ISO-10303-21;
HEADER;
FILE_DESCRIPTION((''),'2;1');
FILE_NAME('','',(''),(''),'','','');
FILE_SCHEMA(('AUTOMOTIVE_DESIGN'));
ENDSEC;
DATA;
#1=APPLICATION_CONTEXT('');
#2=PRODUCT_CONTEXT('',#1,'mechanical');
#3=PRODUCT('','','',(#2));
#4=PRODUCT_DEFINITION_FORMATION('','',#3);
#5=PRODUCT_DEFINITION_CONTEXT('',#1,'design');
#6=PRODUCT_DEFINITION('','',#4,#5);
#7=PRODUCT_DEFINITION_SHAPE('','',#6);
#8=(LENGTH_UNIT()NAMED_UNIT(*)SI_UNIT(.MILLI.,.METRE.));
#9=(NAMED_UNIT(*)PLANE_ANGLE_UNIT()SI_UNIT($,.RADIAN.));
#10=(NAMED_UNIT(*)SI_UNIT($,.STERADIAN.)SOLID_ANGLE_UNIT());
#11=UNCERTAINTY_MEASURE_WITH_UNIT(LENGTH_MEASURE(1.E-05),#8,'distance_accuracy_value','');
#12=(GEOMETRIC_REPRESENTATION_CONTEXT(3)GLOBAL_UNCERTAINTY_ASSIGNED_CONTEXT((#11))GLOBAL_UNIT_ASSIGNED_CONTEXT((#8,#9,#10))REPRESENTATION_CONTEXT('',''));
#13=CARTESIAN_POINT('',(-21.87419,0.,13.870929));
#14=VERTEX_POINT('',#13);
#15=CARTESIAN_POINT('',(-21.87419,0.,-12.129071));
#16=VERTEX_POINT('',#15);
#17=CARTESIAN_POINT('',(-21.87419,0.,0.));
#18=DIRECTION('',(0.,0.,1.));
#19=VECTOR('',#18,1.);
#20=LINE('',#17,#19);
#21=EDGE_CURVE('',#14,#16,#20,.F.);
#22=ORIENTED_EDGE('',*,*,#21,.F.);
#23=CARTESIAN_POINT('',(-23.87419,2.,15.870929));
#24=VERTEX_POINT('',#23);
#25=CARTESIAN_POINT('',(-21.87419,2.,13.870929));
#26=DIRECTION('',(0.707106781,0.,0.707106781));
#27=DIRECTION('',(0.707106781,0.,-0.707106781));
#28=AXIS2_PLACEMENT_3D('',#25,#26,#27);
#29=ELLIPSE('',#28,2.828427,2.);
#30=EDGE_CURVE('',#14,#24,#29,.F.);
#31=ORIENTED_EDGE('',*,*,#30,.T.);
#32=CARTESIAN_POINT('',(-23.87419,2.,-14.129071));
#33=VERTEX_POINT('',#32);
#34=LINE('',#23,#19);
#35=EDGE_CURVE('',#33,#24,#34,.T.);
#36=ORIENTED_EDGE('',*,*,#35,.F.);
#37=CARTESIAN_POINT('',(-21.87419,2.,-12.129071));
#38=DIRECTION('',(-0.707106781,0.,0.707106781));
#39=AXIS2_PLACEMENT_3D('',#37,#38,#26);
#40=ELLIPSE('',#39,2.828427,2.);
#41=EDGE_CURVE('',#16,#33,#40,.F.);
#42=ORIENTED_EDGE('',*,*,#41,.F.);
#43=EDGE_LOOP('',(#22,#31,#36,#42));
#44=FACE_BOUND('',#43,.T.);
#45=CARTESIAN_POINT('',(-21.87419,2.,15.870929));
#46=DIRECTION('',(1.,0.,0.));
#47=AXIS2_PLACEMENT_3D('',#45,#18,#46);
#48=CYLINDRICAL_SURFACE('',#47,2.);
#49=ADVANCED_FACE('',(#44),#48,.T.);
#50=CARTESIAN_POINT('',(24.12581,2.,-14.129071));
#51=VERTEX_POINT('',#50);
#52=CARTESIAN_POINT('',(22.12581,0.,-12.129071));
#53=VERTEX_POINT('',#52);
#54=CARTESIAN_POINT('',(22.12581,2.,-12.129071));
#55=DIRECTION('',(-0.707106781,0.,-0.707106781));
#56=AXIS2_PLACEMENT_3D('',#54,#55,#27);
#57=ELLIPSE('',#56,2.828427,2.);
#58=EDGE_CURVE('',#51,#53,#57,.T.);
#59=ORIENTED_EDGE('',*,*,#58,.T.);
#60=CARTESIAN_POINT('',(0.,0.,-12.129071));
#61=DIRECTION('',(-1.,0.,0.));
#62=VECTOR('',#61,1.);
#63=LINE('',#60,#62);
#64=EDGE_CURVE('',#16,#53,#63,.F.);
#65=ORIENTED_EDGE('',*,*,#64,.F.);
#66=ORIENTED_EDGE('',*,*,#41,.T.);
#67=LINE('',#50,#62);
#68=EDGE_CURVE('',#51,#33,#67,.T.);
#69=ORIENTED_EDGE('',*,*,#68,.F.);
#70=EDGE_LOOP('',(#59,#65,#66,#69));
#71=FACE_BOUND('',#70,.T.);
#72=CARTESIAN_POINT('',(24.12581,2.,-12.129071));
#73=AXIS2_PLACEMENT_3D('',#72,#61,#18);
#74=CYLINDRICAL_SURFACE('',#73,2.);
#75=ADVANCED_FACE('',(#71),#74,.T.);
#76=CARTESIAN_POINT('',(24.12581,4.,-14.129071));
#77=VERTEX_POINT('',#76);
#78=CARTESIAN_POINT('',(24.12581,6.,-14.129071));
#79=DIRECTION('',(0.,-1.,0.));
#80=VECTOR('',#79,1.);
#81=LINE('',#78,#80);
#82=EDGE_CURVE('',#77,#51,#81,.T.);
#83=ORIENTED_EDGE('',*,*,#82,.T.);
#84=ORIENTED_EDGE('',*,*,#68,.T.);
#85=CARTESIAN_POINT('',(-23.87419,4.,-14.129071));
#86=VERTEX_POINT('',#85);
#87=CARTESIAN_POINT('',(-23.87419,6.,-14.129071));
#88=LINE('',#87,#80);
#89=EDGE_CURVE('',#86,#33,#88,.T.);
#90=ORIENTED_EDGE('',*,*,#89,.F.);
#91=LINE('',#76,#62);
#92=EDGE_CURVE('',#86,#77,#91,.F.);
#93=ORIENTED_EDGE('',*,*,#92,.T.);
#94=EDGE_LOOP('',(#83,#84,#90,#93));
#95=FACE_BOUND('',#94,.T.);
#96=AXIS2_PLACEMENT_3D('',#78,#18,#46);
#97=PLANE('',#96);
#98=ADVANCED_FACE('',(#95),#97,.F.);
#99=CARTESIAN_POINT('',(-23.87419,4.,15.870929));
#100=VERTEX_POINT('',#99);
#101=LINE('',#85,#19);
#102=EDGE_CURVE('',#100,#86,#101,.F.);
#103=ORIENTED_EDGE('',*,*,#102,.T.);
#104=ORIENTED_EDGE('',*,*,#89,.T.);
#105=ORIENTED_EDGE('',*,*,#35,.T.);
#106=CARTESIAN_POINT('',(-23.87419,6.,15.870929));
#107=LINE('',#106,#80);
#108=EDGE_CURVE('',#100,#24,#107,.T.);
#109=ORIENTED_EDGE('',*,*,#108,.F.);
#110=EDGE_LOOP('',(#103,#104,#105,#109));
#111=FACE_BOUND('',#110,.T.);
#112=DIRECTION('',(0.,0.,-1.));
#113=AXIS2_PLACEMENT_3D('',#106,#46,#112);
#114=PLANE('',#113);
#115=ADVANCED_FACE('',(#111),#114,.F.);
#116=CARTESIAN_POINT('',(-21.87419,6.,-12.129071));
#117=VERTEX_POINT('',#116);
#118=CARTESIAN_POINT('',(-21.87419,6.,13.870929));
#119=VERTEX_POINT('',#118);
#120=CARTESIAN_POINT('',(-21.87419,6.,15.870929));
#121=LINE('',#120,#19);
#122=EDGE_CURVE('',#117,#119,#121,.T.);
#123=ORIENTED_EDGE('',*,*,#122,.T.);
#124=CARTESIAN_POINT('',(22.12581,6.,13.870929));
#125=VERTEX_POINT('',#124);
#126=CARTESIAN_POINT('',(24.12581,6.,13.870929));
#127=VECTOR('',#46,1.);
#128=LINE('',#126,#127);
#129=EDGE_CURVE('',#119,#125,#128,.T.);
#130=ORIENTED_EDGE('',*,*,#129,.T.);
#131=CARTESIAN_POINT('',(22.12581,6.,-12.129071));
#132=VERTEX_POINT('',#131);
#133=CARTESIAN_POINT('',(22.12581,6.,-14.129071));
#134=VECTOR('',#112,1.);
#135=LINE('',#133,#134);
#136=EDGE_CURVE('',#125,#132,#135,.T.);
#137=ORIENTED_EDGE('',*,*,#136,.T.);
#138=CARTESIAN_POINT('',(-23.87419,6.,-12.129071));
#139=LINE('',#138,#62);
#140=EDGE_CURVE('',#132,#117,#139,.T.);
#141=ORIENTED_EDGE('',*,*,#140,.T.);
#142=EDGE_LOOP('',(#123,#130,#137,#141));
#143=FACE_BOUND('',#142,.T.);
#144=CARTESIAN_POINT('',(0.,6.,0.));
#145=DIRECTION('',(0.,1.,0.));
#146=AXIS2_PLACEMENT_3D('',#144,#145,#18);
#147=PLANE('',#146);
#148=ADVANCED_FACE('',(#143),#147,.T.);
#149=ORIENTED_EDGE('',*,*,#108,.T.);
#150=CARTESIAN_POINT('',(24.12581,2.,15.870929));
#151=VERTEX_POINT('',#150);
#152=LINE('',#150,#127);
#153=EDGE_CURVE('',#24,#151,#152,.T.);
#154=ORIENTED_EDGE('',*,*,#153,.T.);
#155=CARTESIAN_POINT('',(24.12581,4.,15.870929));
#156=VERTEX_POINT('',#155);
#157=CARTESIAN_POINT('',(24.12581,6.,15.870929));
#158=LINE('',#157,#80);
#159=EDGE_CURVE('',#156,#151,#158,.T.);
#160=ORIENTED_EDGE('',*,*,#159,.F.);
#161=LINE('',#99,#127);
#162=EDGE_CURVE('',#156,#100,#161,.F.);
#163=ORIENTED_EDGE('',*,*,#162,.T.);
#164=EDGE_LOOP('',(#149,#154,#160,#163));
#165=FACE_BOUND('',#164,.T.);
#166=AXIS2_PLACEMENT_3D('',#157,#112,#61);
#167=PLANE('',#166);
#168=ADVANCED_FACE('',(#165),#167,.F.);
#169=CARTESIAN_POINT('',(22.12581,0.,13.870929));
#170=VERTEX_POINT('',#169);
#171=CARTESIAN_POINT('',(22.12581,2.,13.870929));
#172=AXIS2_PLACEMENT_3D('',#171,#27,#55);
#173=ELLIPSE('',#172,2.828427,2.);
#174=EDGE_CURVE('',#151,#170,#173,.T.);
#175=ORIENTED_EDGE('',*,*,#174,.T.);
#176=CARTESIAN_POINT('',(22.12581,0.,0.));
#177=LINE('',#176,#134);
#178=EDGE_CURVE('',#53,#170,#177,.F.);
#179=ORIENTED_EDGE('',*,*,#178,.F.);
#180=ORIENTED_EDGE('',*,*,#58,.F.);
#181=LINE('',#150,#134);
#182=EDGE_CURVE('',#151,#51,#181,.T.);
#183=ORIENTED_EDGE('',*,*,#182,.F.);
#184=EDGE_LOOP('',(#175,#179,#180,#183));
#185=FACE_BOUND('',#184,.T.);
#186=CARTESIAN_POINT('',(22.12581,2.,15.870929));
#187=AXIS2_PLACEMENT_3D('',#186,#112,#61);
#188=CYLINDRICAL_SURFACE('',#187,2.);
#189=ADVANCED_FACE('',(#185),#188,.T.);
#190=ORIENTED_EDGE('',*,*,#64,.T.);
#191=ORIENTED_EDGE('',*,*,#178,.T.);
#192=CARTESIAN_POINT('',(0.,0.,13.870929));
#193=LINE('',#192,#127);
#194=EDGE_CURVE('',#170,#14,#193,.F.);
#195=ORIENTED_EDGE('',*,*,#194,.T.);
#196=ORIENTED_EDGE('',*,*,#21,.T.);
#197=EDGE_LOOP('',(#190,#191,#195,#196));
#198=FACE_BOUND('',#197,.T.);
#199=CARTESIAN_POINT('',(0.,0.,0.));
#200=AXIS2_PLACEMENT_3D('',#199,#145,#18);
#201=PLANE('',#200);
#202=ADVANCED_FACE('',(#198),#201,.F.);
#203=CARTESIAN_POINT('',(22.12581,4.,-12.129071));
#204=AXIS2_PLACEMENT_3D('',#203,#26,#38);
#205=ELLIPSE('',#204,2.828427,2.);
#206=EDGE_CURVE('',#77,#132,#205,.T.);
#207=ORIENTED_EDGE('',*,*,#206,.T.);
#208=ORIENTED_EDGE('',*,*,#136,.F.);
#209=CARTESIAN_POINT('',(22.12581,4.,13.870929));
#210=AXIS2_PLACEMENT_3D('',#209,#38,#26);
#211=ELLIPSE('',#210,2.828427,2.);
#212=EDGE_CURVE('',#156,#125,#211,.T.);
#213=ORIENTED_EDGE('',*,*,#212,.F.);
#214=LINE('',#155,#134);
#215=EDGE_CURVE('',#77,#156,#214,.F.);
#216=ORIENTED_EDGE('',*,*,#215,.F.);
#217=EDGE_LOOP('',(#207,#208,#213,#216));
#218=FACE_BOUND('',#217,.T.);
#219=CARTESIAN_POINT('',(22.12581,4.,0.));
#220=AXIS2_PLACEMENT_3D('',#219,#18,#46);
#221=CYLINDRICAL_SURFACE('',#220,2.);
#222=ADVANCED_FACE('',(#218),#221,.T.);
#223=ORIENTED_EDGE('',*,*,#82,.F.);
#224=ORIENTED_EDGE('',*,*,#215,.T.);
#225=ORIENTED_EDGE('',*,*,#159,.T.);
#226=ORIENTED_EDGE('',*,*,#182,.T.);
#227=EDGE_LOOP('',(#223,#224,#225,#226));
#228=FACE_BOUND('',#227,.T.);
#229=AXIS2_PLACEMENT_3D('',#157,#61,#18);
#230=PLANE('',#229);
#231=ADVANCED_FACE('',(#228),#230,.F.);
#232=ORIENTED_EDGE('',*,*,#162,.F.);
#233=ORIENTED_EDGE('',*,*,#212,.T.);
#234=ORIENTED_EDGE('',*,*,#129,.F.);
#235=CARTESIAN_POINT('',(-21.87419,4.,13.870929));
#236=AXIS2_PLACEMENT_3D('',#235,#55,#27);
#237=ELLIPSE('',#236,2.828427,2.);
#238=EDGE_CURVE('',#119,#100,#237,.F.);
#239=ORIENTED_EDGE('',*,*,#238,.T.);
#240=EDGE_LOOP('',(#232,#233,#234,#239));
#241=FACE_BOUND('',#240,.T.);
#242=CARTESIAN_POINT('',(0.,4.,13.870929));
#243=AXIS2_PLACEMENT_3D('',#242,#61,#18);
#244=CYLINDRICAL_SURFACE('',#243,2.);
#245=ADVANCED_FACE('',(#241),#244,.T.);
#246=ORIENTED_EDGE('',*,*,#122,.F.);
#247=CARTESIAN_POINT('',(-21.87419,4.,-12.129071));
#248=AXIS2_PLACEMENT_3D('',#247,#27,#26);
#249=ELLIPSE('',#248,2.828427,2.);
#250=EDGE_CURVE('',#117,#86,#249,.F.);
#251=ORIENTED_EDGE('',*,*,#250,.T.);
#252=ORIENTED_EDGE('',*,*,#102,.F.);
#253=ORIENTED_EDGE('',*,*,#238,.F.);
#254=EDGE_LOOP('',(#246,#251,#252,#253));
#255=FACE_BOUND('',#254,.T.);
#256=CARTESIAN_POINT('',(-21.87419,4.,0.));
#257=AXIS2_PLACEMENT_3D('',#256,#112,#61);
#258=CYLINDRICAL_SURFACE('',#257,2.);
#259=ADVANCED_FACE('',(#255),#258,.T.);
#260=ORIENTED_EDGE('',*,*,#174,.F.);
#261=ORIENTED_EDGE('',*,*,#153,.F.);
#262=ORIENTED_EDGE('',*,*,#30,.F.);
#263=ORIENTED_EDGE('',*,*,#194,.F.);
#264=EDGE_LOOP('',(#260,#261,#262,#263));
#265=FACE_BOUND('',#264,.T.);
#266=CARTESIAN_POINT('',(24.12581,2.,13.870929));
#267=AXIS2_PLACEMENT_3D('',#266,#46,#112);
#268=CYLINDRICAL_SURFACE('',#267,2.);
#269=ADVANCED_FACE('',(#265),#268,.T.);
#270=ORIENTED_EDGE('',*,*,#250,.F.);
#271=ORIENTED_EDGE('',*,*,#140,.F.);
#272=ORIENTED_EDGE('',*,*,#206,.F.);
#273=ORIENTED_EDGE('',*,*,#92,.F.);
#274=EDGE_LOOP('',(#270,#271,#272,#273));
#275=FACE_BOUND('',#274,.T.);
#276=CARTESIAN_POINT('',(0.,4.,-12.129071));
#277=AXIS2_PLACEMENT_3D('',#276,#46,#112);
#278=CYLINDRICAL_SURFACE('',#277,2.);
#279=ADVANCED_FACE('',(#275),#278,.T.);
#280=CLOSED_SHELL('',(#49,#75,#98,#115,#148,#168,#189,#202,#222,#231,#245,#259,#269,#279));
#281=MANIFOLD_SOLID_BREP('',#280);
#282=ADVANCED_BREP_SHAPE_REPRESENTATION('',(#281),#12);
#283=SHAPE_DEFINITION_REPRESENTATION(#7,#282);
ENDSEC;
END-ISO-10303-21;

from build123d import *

# Parameters (mm, degrees)
SKETCH1_W           = 48
SKETCH1_H           = 30
BOSS_EXTRUDE1_DEPTH = 6
FILLET1_R           = 2


with BuildPart() as part:
    # Sketch1 → Boss-Extrude1 (new body)
    with BuildSketch(Plane(origin=(0, 0, 0), x_dir=(1, 0, 0), z_dir=(0, 1, 0))):
        with Locations((0.12581006, -0.870928549)):
            Rectangle(SKETCH1_W, SKETCH1_H)
    extrude(amount=BOSS_EXTRUDE1_DEPTH)

    # Fillet1
    fillet1_edges = [part.edges().sort_by_distance(p)[0] for p in [
        (-23.87418994, 6, 0.870928549),
        (0.12581006, 6, 15.870928549),
        (24.12581006, 6, 0.870928549),
        (0.12581006, 0, 15.870928549),
        (-23.87418994, 0, 0.870928549),
        (0.12581006, 0, -14.129071451),
        (24.12581006, 0, 0.870928549),
        (0.12581006, 6, -14.129071451),
    ]]
    fillet(fillet1_edges, radius=FILLET1_R)


solid = part.part
